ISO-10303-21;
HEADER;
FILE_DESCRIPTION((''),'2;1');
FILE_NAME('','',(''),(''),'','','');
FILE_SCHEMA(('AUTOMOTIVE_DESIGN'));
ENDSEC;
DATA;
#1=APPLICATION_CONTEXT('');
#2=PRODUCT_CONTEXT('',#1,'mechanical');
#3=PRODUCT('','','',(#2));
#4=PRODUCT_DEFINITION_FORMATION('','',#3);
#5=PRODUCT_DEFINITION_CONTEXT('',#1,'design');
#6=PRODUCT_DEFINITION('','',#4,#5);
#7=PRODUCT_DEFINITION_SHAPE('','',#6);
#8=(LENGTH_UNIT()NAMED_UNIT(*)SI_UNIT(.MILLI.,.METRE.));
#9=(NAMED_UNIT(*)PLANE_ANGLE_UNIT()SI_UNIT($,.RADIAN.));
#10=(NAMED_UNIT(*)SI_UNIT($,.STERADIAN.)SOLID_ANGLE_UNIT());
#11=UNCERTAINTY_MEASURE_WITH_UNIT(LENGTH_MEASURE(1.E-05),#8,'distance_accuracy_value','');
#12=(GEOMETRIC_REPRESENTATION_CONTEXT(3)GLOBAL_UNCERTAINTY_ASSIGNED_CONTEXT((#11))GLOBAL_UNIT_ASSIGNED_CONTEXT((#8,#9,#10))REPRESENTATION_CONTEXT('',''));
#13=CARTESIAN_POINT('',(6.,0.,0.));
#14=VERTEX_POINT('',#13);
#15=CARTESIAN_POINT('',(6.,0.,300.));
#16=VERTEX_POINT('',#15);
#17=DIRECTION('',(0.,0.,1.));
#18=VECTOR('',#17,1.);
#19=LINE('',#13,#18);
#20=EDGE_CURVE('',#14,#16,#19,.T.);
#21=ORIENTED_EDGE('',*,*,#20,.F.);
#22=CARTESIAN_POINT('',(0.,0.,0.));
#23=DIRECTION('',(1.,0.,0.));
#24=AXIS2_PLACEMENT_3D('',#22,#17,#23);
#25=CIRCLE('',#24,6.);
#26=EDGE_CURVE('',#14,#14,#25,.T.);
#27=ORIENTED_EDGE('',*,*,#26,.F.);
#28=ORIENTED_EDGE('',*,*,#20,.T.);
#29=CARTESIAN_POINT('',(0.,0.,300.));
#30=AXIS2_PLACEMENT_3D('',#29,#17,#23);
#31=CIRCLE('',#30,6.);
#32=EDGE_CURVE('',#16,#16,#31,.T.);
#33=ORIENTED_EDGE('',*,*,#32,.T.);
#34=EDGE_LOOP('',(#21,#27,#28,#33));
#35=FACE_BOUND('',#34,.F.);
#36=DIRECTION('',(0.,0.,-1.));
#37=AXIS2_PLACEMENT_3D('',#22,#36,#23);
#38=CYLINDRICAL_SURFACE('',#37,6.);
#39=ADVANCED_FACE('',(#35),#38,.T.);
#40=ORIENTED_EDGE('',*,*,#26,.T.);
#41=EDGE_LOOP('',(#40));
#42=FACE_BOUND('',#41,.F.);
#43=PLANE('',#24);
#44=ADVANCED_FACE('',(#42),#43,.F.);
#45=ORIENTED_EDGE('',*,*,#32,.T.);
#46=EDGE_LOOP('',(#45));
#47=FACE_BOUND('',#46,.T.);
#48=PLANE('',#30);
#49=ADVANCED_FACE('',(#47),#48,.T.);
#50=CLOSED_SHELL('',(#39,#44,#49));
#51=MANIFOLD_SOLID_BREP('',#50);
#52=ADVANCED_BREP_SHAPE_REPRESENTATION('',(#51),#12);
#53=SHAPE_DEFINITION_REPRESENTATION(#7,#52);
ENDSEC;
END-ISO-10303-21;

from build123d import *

# Parameters (mm, degrees)
CROQUIS1_R              = 6
SALIENTE_EXTRUIR1_DEPTH = 300


with BuildPart() as part:
    # Croquis1 → Saliente-Extruir1 (new body)
    with BuildSketch(Plane.XY):
        Circle(CROQUIS1_R)
    extrude(amount=SALIENTE_EXTRUIR1_DEPTH)


solid = part.part
